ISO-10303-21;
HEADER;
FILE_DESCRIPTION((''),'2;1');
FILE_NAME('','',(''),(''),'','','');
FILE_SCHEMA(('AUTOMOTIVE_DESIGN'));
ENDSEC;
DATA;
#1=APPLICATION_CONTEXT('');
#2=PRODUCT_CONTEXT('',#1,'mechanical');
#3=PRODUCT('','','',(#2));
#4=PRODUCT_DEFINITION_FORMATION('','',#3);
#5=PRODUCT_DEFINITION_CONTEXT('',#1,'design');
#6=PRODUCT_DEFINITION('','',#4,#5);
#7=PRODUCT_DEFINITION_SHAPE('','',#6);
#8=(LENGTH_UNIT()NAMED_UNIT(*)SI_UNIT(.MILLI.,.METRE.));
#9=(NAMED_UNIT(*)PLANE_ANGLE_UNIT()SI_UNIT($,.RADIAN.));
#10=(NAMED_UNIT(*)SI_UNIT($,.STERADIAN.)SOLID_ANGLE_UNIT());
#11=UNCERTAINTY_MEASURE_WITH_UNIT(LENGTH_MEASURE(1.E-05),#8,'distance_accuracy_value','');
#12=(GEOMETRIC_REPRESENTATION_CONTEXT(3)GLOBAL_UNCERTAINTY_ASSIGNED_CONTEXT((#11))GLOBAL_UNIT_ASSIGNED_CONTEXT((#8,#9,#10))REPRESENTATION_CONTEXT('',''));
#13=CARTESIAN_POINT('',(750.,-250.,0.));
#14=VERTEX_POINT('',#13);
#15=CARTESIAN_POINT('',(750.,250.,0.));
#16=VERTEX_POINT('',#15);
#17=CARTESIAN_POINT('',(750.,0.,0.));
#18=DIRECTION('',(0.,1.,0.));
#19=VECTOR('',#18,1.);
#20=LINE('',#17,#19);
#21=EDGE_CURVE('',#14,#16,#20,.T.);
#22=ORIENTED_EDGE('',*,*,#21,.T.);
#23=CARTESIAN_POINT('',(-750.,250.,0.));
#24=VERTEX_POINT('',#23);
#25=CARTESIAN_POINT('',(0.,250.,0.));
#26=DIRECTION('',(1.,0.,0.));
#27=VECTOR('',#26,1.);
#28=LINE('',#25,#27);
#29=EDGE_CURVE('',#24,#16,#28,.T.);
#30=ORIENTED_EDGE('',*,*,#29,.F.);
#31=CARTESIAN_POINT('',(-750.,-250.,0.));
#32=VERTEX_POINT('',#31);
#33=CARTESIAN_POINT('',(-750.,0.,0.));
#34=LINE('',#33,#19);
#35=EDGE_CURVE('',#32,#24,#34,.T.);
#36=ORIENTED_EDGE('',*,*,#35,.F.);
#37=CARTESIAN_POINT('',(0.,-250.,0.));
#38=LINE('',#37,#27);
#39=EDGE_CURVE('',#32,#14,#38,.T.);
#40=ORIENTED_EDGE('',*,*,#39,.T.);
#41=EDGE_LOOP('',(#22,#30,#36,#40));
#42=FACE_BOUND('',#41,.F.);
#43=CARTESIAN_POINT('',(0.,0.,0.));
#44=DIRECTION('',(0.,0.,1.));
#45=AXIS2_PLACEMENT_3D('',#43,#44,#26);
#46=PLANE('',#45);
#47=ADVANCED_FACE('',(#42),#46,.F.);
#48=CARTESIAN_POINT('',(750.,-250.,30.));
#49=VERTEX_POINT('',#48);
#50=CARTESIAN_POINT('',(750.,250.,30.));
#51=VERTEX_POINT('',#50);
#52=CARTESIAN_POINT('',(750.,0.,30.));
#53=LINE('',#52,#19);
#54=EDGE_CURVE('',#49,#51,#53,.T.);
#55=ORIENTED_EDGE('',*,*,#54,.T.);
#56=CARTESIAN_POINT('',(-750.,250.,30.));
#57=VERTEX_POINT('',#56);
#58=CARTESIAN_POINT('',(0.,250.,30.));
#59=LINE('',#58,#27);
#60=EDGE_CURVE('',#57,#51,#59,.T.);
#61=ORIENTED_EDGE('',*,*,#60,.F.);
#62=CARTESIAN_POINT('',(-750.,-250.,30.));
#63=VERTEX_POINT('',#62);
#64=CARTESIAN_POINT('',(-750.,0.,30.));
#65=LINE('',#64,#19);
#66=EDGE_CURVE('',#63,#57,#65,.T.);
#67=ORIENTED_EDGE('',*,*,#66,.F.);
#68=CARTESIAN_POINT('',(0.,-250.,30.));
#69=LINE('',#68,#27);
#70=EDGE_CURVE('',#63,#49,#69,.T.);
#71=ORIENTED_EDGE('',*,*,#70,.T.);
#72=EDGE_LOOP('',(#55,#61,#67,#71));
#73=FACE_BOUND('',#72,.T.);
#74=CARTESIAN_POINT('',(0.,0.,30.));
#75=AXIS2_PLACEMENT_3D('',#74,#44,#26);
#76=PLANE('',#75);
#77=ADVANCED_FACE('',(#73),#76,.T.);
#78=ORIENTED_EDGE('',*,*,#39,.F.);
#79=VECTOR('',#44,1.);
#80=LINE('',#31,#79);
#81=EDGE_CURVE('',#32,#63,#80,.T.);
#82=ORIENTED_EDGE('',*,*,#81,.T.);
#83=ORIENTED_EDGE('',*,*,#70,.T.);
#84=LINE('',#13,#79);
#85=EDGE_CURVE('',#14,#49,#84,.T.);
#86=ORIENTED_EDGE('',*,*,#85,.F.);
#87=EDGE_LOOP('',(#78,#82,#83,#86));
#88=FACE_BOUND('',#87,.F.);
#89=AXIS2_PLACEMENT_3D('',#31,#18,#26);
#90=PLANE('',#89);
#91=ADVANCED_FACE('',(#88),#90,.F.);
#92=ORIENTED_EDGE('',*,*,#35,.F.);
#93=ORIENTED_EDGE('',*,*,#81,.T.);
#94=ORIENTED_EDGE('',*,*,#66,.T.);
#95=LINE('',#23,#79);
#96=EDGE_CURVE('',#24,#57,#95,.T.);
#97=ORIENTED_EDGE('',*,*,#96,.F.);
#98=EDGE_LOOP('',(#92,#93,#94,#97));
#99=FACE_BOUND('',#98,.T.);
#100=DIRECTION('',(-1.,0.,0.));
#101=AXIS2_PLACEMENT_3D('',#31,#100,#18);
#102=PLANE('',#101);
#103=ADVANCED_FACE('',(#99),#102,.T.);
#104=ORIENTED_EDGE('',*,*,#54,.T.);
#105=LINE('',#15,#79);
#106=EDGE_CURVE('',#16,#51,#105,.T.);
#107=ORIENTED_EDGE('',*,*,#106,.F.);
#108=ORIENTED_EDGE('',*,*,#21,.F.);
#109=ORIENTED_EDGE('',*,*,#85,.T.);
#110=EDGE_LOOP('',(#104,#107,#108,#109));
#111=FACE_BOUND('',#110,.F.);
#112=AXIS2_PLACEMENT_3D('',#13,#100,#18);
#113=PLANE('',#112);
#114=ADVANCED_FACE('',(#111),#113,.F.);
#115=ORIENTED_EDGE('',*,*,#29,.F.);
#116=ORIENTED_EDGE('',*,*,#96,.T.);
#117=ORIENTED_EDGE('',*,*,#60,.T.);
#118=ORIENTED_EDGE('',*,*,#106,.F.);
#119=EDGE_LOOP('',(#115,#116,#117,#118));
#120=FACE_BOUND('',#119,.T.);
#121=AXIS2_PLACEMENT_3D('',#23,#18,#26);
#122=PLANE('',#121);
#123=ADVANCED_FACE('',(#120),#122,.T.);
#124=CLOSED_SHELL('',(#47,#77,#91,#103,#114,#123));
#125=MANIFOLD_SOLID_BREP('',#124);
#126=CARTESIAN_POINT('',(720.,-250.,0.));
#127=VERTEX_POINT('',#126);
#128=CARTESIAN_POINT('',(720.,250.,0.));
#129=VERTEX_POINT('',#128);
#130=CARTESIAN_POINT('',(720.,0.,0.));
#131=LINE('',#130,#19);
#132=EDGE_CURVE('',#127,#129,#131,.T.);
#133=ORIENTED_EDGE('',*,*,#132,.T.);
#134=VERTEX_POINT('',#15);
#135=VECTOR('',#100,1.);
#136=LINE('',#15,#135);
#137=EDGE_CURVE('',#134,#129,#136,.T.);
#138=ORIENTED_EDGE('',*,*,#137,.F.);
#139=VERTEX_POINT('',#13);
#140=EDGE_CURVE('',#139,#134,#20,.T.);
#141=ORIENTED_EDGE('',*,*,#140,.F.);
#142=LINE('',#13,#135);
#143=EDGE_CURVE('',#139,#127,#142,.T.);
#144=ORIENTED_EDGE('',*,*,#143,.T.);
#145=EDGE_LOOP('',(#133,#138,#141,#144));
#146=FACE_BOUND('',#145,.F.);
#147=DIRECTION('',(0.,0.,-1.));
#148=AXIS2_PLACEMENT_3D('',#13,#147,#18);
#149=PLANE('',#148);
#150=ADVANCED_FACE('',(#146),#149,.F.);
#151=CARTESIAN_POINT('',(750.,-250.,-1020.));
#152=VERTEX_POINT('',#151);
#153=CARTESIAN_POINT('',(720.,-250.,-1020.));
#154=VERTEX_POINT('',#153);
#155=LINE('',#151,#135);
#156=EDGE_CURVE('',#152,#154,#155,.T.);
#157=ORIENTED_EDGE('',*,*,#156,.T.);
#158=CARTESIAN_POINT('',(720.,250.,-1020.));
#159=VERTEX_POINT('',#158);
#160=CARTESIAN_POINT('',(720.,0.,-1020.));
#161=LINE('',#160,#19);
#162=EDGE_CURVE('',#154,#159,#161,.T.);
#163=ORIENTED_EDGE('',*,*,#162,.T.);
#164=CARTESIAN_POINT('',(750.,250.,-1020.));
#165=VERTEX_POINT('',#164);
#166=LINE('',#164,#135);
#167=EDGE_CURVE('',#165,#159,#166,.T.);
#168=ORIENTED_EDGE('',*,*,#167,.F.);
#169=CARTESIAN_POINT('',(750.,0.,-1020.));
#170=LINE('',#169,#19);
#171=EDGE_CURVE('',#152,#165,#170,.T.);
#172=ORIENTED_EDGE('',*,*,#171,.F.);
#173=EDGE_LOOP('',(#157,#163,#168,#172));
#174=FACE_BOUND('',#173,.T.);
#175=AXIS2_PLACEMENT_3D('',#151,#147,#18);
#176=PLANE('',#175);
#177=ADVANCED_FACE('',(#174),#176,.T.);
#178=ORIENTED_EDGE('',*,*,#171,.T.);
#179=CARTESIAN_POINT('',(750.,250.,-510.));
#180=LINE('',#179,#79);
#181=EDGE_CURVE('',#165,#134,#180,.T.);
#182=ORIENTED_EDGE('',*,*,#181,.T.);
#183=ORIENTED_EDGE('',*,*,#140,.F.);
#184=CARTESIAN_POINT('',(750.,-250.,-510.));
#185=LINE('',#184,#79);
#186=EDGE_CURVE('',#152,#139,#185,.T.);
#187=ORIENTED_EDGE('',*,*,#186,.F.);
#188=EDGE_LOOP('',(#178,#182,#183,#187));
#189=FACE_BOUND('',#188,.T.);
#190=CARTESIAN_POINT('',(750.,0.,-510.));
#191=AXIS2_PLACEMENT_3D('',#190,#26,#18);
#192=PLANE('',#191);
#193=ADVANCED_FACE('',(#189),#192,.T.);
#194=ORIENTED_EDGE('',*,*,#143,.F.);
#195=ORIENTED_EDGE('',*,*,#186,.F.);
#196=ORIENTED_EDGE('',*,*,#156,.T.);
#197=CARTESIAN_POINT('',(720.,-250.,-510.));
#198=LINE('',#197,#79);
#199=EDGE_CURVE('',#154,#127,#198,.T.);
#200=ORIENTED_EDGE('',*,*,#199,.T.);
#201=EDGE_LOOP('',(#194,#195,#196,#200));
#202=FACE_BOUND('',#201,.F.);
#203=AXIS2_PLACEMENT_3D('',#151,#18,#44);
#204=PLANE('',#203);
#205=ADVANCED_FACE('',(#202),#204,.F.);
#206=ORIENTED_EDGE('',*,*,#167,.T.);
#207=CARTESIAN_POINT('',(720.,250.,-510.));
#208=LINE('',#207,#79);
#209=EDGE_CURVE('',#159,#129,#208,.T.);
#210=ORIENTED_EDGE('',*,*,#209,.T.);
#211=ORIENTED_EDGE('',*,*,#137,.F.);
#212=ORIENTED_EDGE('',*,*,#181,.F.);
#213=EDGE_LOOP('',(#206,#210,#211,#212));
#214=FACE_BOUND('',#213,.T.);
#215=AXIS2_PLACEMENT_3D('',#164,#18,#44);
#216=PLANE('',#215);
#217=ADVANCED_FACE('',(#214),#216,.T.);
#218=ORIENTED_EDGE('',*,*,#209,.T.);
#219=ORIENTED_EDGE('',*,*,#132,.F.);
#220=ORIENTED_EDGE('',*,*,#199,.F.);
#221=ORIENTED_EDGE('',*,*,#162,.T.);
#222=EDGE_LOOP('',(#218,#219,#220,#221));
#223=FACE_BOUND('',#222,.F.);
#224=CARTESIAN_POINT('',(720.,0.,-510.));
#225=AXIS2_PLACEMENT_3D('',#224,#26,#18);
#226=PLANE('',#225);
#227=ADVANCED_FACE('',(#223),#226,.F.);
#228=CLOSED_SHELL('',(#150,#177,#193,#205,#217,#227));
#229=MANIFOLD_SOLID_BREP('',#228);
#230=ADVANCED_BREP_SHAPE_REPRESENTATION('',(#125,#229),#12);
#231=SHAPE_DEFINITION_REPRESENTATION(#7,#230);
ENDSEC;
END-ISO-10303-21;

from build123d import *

# Parameters (mm, degrees)
F0_W     = 1500
F0_H     = 500
F1_DEPTH = 30
F2_W     = 500
F2_H     = 1020
F3_DEPTH = 30


with BuildPart() as f1:
    # F0 (on Top) → F1 (new body)
    with BuildSketch(Plane.XY):
        Rectangle(F0_W, F0_H)
    extrude(amount=F1_DEPTH)


with BuildPart() as f3:
    # F2 (on face) → F3 (new body)
    with BuildSketch(Plane.YZ.offset(750)):
        with Locations((0, -510)):
            Rectangle(F2_W, F2_H)
    extrude(amount=-F3_DEPTH)


solid = Compound([f1.part, f3.part])
